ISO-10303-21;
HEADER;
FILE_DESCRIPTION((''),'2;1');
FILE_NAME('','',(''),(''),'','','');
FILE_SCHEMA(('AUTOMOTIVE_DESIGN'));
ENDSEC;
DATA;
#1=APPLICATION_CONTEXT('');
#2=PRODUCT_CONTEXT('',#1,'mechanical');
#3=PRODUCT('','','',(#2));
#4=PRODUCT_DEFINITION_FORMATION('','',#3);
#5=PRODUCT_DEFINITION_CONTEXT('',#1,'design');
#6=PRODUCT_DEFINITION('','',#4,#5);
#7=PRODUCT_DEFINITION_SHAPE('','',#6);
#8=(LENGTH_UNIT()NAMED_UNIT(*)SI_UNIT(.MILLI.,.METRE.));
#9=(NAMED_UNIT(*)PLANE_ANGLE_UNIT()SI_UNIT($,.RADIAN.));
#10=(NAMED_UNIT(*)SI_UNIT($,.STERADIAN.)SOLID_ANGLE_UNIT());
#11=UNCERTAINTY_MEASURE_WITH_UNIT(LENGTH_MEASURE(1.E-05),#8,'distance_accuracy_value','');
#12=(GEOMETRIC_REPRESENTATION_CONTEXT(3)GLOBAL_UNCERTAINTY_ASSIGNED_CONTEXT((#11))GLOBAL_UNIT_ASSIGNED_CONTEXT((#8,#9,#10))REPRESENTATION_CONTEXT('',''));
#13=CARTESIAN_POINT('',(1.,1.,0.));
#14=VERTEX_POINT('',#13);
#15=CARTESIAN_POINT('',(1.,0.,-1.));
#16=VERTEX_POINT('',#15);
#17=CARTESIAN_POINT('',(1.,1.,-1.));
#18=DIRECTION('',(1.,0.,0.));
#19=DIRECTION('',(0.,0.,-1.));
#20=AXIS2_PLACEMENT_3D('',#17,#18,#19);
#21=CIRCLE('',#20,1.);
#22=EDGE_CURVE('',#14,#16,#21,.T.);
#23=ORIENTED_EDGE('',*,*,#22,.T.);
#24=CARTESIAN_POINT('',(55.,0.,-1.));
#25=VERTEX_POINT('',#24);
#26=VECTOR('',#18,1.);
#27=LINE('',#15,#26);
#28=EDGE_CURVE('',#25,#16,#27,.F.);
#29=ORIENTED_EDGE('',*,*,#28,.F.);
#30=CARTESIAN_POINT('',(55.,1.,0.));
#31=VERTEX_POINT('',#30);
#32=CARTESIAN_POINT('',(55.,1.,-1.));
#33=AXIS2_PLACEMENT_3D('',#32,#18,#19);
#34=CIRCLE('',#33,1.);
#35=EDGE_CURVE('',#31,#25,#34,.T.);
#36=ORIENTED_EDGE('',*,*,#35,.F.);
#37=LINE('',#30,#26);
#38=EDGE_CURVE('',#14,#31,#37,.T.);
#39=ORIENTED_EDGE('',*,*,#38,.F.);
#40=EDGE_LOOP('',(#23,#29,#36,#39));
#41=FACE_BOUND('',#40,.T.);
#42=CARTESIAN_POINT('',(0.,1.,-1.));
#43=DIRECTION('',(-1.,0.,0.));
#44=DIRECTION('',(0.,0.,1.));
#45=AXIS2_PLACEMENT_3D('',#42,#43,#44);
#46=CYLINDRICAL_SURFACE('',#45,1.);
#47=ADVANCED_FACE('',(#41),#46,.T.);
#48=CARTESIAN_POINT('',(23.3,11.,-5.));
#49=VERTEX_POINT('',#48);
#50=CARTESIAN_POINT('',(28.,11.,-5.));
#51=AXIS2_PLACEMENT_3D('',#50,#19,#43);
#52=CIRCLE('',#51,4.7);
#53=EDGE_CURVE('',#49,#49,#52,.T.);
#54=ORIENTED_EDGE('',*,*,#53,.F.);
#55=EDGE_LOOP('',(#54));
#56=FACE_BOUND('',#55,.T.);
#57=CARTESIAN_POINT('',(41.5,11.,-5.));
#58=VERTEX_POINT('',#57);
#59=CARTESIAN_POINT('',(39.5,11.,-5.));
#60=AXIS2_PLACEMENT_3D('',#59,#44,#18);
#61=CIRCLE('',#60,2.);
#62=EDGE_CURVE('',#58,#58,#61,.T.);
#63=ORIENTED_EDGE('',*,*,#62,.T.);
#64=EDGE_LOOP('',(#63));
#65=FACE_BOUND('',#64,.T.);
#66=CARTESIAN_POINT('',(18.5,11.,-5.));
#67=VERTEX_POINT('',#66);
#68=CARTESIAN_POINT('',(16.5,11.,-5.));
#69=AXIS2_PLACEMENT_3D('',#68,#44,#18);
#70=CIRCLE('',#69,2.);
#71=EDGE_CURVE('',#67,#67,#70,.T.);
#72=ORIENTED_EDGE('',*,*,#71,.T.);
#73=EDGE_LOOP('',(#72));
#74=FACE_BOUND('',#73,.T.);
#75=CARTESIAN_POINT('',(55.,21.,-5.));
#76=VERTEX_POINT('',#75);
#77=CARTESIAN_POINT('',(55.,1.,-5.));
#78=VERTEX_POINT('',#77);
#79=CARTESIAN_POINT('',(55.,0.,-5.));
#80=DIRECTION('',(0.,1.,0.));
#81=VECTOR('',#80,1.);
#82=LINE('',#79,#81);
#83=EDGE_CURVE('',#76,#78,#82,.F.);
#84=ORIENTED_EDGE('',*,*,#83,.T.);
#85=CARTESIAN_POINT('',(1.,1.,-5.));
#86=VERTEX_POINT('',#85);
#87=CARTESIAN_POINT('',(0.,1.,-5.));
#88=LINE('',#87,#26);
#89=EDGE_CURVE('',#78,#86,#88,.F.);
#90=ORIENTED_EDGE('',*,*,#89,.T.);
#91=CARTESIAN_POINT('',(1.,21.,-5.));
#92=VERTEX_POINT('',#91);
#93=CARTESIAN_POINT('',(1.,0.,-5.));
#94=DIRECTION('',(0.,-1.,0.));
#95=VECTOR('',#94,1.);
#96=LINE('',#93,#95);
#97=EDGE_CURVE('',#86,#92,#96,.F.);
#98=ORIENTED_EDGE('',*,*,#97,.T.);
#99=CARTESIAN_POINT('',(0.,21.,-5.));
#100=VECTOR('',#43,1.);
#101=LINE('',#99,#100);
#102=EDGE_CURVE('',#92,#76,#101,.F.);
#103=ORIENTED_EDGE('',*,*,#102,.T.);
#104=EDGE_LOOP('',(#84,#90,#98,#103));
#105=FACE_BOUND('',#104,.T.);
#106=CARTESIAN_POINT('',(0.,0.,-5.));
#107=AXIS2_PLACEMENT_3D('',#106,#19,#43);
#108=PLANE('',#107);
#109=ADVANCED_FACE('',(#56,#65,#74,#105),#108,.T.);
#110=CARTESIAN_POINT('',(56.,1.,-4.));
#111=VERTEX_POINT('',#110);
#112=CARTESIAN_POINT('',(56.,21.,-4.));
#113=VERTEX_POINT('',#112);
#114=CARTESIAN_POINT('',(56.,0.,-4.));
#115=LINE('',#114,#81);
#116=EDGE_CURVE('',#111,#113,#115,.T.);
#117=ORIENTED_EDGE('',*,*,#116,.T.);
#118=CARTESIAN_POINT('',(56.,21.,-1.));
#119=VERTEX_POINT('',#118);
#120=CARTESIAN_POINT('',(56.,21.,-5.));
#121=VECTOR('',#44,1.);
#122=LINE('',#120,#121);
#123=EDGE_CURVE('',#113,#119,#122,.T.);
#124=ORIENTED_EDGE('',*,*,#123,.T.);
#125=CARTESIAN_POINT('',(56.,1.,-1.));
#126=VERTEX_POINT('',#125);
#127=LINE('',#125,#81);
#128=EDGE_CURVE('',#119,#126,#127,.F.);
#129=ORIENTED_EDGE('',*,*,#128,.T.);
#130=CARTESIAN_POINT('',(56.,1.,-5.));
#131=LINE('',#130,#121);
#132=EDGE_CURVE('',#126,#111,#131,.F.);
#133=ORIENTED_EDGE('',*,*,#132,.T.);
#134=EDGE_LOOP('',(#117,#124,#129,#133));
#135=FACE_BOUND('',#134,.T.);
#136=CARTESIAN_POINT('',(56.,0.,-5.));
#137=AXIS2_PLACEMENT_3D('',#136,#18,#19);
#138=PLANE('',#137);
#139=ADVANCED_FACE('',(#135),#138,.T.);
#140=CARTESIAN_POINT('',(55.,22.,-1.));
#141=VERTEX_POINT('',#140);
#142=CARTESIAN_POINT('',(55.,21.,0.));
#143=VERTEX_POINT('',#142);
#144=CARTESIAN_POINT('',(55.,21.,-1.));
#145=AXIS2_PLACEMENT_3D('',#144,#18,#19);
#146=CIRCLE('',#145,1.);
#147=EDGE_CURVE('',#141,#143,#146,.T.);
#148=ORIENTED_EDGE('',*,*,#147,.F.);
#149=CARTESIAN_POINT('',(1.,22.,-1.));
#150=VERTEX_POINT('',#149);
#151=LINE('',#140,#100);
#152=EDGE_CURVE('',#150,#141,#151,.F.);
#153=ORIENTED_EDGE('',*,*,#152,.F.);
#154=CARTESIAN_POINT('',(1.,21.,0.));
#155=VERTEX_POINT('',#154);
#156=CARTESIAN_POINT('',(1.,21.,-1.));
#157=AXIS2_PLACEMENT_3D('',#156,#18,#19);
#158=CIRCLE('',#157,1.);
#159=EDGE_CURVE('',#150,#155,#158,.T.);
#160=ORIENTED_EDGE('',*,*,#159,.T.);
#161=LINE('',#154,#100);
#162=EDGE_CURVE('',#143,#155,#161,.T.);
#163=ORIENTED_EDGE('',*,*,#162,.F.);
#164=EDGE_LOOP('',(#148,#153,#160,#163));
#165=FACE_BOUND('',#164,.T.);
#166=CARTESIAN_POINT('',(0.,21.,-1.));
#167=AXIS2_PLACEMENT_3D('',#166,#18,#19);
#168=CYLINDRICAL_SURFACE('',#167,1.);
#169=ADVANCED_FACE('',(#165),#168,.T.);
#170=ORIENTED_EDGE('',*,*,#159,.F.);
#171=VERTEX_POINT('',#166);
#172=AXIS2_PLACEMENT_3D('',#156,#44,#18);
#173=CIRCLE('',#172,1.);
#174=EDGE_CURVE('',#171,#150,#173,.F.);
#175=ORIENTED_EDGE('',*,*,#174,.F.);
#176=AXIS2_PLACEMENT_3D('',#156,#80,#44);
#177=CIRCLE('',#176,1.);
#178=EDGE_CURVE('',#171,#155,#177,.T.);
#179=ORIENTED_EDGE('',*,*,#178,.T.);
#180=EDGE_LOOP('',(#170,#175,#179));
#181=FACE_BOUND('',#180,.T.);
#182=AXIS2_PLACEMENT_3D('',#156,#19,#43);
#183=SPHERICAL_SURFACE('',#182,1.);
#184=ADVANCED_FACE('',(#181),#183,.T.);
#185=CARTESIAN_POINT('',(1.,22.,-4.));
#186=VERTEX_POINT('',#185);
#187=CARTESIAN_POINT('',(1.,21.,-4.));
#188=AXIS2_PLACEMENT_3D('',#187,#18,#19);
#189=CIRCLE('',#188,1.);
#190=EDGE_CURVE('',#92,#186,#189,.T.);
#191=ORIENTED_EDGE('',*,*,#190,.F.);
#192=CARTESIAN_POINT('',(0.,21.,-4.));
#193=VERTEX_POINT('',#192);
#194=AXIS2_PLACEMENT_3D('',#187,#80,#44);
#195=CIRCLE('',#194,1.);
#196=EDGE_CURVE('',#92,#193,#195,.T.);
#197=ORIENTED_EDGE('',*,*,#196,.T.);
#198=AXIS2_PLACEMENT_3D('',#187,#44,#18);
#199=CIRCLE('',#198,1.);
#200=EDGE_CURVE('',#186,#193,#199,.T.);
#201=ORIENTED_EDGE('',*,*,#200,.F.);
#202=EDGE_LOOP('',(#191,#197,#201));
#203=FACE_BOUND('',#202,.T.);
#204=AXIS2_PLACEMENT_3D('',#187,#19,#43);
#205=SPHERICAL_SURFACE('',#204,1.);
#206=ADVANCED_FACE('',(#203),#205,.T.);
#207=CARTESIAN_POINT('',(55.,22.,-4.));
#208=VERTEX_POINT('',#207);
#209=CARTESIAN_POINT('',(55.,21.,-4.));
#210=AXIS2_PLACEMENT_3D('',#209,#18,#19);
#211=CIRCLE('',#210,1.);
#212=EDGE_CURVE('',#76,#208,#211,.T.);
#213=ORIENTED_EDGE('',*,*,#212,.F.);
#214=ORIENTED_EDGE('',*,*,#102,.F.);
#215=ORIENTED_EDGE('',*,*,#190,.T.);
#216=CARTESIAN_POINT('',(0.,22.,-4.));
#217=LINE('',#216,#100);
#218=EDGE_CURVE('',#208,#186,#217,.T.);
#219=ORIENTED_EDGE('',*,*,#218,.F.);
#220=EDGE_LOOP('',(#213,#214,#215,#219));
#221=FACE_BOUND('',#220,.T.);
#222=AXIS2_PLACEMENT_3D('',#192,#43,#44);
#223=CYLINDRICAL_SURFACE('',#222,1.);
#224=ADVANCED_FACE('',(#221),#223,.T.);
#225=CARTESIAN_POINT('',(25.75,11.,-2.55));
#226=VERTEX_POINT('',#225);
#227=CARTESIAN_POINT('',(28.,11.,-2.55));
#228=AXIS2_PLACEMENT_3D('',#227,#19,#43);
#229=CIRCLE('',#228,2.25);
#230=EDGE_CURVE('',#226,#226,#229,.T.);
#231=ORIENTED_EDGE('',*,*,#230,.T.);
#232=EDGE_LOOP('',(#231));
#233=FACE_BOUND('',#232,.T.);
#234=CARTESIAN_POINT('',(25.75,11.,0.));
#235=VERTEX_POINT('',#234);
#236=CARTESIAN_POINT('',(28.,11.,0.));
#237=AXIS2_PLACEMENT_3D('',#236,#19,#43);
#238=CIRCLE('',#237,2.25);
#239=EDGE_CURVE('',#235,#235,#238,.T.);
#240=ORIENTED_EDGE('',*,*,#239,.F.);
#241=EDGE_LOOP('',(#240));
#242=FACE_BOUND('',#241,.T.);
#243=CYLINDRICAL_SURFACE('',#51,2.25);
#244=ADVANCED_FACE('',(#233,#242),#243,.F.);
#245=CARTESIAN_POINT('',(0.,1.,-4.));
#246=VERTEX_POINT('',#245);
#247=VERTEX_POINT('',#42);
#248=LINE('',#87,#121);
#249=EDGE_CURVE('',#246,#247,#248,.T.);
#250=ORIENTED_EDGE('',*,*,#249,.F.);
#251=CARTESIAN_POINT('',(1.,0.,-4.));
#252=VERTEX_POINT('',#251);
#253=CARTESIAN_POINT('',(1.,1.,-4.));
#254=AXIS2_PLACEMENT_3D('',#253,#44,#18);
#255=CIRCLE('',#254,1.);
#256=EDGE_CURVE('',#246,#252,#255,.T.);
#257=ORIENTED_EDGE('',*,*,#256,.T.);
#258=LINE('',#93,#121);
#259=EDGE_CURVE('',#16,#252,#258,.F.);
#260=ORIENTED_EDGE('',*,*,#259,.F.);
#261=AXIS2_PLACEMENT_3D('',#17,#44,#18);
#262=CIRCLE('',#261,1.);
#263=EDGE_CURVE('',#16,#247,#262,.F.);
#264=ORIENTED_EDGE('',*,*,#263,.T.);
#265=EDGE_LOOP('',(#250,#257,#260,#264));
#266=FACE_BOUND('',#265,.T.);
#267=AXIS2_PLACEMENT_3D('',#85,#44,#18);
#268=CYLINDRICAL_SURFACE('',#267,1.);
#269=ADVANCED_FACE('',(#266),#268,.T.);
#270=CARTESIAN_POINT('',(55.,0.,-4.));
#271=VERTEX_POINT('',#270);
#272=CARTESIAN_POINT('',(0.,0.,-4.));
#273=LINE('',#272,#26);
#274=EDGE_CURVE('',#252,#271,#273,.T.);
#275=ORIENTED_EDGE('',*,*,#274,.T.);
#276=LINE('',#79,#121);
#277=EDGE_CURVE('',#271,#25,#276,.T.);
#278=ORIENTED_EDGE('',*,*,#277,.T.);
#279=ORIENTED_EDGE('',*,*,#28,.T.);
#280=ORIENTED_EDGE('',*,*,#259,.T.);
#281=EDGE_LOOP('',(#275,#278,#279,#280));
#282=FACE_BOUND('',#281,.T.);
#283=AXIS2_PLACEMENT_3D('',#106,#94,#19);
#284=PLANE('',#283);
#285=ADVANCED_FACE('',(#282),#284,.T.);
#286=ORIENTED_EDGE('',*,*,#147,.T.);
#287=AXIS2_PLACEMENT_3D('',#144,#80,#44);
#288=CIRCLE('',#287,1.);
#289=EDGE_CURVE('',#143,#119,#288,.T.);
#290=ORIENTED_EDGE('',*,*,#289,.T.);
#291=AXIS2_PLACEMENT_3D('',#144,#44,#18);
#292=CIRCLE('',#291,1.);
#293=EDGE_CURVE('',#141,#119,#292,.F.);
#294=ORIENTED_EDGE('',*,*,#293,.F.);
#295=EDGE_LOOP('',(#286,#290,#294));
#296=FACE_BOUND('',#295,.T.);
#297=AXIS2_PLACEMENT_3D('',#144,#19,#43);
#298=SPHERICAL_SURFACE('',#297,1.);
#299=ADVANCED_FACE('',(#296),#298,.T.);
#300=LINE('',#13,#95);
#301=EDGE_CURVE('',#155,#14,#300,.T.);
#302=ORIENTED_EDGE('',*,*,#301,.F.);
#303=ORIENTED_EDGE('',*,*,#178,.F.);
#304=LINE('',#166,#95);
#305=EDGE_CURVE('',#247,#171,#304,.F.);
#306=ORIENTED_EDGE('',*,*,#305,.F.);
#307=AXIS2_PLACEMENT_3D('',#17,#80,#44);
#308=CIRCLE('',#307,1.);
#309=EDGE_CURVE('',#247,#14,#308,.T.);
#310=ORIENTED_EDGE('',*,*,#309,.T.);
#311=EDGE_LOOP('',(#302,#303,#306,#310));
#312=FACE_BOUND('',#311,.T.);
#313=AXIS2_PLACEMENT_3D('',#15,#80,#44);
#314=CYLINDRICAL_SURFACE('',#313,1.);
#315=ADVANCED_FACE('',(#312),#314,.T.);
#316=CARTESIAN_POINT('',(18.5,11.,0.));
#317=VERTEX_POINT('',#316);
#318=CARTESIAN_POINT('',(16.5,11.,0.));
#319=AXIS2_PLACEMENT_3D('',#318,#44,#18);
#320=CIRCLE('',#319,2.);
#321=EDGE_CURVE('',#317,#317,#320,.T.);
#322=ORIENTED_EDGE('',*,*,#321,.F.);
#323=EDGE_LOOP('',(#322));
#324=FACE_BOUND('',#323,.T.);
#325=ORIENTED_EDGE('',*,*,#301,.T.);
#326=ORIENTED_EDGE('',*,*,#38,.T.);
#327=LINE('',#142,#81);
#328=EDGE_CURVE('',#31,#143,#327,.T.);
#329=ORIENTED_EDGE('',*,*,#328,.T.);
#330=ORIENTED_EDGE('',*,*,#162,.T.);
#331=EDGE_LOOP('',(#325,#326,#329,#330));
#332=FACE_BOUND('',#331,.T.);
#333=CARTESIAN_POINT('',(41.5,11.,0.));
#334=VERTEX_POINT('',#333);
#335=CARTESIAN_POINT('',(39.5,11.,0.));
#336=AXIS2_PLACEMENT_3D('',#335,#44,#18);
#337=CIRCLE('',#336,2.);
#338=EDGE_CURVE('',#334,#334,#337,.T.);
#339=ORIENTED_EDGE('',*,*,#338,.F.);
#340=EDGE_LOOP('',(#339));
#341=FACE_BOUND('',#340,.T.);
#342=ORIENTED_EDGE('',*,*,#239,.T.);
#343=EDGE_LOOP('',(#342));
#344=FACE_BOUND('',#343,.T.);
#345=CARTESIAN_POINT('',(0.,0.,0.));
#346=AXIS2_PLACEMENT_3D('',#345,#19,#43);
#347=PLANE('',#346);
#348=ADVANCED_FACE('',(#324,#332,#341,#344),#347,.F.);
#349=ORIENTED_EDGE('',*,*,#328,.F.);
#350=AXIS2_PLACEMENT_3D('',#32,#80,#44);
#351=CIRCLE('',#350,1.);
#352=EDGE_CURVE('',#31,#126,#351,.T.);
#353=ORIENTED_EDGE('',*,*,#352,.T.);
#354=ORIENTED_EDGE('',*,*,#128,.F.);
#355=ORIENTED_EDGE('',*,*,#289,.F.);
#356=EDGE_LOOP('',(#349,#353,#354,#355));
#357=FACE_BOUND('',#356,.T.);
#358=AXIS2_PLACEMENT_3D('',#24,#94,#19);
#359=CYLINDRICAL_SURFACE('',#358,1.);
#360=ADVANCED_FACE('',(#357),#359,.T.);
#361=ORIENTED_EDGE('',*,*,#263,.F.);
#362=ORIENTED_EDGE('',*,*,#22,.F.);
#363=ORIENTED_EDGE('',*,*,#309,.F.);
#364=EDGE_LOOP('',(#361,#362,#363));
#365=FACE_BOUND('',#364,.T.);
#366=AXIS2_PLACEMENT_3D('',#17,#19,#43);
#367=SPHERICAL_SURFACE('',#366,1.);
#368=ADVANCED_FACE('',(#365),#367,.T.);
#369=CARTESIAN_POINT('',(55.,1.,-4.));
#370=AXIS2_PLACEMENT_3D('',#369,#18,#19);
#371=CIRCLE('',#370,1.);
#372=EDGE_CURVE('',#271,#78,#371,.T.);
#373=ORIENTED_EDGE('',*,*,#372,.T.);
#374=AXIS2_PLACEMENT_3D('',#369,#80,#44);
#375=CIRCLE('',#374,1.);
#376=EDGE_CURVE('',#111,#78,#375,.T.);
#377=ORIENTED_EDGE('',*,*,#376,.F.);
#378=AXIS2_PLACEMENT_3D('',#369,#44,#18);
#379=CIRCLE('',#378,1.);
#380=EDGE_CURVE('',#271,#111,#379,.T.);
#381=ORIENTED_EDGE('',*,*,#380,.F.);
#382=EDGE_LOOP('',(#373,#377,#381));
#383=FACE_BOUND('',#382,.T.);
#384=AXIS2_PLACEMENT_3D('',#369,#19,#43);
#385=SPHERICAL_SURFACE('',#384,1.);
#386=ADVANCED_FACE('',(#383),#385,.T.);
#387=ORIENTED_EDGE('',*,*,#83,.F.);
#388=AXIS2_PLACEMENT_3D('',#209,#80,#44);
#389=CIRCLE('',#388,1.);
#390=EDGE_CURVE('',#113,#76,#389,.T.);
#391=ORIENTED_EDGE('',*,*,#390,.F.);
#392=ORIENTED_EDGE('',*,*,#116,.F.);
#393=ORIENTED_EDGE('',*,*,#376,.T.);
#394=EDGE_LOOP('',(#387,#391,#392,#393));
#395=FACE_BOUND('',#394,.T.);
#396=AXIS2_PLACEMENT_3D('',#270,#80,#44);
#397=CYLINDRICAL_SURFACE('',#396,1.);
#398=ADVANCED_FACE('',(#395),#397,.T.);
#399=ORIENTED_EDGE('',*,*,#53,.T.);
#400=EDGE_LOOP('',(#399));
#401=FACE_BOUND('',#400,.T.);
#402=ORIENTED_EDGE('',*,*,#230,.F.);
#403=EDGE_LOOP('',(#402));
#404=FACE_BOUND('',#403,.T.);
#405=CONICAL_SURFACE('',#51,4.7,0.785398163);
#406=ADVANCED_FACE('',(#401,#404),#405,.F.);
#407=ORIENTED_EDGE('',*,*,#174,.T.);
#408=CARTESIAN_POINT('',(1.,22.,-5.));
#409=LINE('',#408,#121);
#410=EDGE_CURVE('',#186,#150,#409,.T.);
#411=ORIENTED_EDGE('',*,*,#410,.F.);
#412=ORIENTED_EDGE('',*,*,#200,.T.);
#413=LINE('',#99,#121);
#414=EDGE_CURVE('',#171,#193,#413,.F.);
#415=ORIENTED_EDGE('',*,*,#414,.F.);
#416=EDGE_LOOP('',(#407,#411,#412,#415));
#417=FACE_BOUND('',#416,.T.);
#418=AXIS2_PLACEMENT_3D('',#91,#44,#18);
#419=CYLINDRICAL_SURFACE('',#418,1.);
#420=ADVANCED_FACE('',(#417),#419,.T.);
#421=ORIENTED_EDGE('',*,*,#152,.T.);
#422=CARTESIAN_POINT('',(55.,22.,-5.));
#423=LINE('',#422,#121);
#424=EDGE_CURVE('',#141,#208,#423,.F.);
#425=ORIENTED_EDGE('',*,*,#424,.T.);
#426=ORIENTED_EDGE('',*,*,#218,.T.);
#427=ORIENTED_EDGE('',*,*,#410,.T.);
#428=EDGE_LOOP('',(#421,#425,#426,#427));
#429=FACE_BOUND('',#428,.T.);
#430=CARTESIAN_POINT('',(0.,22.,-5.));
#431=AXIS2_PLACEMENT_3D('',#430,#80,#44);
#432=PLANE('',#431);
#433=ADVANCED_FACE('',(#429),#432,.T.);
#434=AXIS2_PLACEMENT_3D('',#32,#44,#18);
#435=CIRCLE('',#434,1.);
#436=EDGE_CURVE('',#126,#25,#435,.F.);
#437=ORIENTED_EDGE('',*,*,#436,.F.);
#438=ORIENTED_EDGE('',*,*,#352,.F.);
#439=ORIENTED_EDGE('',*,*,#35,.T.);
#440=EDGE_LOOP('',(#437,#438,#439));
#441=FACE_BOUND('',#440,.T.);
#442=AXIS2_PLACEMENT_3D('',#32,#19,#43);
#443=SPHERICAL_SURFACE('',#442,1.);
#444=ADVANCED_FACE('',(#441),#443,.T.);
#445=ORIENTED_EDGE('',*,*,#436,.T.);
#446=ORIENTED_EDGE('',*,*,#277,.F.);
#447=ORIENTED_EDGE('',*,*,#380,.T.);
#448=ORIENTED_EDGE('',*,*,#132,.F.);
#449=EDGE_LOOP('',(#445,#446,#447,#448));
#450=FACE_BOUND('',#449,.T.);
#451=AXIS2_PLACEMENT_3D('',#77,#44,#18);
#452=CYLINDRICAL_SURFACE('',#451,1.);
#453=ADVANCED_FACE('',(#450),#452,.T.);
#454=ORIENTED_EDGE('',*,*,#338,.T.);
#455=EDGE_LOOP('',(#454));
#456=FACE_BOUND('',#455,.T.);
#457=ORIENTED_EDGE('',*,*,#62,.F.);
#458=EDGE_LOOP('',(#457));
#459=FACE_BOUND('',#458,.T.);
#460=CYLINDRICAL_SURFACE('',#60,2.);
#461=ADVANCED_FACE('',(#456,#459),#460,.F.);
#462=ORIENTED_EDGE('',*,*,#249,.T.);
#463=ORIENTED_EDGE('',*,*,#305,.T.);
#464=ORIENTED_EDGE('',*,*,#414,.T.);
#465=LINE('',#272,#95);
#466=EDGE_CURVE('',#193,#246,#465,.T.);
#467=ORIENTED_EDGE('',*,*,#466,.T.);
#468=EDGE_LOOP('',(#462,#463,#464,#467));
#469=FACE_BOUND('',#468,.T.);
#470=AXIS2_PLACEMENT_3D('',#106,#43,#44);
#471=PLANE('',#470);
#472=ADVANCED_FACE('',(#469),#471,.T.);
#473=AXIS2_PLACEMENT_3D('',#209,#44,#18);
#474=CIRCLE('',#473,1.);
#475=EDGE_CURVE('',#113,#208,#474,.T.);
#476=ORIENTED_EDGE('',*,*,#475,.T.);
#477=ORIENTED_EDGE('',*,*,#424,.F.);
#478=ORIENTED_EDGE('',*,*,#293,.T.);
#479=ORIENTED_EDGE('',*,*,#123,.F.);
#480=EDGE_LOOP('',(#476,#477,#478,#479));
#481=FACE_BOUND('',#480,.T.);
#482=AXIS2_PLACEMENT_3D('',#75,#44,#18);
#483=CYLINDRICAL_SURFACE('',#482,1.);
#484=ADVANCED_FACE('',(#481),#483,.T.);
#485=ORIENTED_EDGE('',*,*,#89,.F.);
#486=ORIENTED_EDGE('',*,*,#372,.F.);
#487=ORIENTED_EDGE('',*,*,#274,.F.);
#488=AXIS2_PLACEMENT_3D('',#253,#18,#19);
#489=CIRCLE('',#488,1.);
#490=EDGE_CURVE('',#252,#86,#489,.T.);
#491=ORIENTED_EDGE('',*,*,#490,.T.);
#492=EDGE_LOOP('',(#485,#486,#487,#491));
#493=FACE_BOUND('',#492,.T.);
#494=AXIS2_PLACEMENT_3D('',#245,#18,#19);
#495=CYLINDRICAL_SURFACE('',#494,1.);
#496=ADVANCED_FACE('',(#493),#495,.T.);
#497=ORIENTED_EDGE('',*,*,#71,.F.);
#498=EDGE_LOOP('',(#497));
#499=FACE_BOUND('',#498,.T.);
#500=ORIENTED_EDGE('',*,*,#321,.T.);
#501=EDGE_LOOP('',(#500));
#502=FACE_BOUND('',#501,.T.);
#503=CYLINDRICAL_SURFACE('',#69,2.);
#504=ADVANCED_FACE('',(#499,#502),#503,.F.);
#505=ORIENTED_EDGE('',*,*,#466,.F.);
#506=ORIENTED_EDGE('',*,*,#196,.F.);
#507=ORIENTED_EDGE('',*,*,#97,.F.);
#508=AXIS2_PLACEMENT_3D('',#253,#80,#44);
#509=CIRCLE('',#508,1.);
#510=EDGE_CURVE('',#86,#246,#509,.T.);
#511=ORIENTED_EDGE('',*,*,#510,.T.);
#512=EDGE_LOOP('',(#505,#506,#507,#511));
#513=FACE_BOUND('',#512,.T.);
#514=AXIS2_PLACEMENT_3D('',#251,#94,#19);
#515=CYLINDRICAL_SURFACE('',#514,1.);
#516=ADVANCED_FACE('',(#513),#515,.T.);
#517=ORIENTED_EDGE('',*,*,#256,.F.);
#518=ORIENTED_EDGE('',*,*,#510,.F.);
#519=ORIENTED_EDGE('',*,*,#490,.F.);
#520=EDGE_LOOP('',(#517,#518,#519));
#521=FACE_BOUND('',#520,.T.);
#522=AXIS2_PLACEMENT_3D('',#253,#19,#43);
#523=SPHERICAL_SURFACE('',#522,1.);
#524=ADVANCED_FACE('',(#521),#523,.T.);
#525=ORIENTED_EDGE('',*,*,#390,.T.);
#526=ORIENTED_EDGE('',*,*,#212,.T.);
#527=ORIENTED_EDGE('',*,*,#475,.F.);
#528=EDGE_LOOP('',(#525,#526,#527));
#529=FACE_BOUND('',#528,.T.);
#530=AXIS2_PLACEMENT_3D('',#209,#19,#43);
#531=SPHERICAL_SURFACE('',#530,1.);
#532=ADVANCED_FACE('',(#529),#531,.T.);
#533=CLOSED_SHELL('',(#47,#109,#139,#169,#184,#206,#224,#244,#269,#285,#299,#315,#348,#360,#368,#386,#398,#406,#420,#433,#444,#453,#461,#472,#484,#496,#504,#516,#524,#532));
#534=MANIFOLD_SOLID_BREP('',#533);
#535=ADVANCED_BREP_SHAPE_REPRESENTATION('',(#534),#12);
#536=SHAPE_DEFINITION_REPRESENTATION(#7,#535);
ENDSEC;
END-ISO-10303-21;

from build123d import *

# Parameters (mm, degrees)
SKETCH2_W                                       = 56
SKETCH2_H                                       = 22
BOSS_EXTRUDE2_DEPTH                             = 5
SKETCH5_R                                       = 2
MOUNTING_HOLES_DEPTH                            = 61.373835392
SMALL_EDGE_FILLET_R                             = 1
FRONT_BACK_EDGE_FILLET_R                        = 1
CSK_FOR_M4_FLAT_HEAD_MACHINE_SCREW2_D           = 4.5
CSK_FOR_M4_FLAT_HEAD_MACHINE_SCREW2_CSINK_D     = 9.4
CSK_FOR_M4_FLAT_HEAD_MACHINE_SCREW2_CSINK_ANGLE = 90


with BuildPart() as part:
    # Sketch2 → Boss-Extrude2 (new body)
    with BuildSketch(Plane.XY):
        with Locations((28, 11)):
            Rectangle(SKETCH2_W, SKETCH2_H)
    extrude(amount=-BOSS_EXTRUDE2_DEPTH)

    # Sketch5 → Mounting Holes (cut, through all)
    with BuildSketch(Plane.XY):
        with Locations((16.5, 11)):
            Circle(SKETCH5_R)
        with Locations((39.5, 11)):
            Circle(SKETCH5_R)
    extrude(amount=-MOUNTING_HOLES_DEPTH, mode=Mode.SUBTRACT)

    # Small Edge Fillet
    small_edge_fillet_edges = [part.edges().sort_by_distance(p)[0] for p in [
        (0, 22, -2.5),
        (56, 22, -2.5),
        (56, 0, -2.5),
        (0, 0, -2.5),
    ]]
    fillet(small_edge_fillet_edges, radius=SMALL_EDGE_FILLET_R)

    # Front-Back Edge Fillet
    front_back_edge_fillet_edges = [part.edges().sort_by_distance(p)[0] for p in [
        (0, 11, 0),
        (0, 11, -5),
        (28, 0, 0),
        (56, 11, 0),
        (28, 22, 0),
        (0.292893219, 21.707106781, 0),
        (55.707106781, 21.707106781, 0),
        (55.707106781, 0.292893219, 0),
        (0.292893219, 0.292893219, 0),
        (28, 0, -5),
        (28, 22, -5),
        (56, 11, -5),
        (0.292893219, 21.707106781, -5),
        (55.707106781, 21.707106781, -5),
        (55.707106781, 0.292893219, -5),
        (0.292893219, 0.292893219, -5),
    ]]
    fillet(front_back_edge_fillet_edges, radius=FRONT_BACK_EDGE_FILLET_R)

    # CSK for M4 Flat Head Machine Screw2 (through all)
    with Locations(Plane(origin=(0, 0, -5), x_dir=(-1, 0, 0), z_dir=(0, 0, -1))):
        with Locations((-28, 11)):
            CounterSinkHole(CSK_FOR_M4_FLAT_HEAD_MACHINE_SCREW2_D / 2, CSK_FOR_M4_FLAT_HEAD_MACHINE_SCREW2_CSINK_D / 2, counter_sink_angle=CSK_FOR_M4_FLAT_HEAD_MACHINE_SCREW2_CSINK_ANGLE)


solid = part.part
